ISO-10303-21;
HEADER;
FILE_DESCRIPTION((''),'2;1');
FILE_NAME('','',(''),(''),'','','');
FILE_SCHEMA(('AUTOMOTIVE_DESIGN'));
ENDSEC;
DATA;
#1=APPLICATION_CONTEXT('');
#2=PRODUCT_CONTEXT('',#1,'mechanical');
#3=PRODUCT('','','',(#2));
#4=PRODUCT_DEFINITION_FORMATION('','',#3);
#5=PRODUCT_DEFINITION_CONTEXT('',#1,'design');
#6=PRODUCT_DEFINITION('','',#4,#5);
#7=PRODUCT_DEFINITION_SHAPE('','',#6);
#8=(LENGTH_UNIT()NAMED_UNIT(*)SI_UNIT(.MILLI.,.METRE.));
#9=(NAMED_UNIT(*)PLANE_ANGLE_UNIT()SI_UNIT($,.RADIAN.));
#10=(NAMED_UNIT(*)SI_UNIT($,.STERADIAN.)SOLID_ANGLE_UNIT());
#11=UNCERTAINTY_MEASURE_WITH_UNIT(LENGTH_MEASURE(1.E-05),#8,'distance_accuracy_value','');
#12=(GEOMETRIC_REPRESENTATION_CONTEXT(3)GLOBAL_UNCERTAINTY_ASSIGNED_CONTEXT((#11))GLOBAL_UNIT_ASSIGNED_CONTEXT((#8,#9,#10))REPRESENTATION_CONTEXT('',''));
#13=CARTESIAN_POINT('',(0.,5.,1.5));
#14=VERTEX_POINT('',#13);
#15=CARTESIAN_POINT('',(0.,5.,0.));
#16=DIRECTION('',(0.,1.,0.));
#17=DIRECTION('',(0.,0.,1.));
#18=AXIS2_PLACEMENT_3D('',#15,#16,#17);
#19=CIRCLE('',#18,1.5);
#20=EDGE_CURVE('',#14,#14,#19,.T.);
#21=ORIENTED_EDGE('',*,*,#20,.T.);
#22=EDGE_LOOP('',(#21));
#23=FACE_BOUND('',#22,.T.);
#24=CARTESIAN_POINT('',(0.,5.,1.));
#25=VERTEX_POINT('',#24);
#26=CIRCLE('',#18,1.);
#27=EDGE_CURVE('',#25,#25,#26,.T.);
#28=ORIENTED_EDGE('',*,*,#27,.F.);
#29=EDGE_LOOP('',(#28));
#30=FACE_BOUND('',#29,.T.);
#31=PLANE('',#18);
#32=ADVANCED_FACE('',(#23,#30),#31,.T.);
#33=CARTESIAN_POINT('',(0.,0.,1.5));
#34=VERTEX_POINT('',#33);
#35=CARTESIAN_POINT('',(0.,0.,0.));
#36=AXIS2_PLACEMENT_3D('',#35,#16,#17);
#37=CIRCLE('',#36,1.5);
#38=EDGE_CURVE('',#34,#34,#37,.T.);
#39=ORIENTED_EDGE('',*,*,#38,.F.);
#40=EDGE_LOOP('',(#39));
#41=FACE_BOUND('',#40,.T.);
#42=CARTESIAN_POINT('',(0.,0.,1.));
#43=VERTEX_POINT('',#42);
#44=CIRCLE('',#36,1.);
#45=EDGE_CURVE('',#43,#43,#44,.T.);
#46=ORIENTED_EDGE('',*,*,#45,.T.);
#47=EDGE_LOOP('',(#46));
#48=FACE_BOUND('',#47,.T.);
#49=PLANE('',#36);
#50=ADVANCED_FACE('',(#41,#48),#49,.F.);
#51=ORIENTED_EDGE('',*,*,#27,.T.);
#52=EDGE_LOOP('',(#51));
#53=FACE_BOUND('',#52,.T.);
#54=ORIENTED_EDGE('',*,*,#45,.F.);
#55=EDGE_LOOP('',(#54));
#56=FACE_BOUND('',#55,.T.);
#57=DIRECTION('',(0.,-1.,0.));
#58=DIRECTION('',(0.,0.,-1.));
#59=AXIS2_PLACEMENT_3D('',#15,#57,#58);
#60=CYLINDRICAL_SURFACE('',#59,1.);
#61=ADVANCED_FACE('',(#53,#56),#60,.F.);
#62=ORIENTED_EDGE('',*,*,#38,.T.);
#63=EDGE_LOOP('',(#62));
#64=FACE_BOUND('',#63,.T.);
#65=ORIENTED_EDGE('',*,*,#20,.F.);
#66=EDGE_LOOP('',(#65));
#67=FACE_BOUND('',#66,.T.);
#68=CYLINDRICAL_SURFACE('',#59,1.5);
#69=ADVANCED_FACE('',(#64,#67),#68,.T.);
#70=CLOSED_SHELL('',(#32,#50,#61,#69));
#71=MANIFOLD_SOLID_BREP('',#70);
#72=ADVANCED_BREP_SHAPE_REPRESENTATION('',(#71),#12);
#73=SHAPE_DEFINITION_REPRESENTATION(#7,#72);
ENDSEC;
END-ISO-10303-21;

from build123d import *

# Parameters (mm, degrees)
SKETCH1_R           = 1.5
SKETCH1_R_2         = 1
BOSS_EXTRUDE1_DEPTH = 5


with BuildPart() as part:
    # Sketch1 → Boss-Extrude1 (new body)
    with BuildSketch(Plane(origin=(0, 0, 0), x_dir=(1, 0, 0), z_dir=(0, 1, 0))):
        with Locations(Location((0, 0, 0), (0, 0, 270))):
            Circle(SKETCH1_R)
        with Locations(Location((0, 0, 0), (0, 0, 270))):
            Circle(SKETCH1_R_2, mode=Mode.SUBTRACT)
    extrude(amount=BOSS_EXTRUDE1_DEPTH)


solid = part.part
